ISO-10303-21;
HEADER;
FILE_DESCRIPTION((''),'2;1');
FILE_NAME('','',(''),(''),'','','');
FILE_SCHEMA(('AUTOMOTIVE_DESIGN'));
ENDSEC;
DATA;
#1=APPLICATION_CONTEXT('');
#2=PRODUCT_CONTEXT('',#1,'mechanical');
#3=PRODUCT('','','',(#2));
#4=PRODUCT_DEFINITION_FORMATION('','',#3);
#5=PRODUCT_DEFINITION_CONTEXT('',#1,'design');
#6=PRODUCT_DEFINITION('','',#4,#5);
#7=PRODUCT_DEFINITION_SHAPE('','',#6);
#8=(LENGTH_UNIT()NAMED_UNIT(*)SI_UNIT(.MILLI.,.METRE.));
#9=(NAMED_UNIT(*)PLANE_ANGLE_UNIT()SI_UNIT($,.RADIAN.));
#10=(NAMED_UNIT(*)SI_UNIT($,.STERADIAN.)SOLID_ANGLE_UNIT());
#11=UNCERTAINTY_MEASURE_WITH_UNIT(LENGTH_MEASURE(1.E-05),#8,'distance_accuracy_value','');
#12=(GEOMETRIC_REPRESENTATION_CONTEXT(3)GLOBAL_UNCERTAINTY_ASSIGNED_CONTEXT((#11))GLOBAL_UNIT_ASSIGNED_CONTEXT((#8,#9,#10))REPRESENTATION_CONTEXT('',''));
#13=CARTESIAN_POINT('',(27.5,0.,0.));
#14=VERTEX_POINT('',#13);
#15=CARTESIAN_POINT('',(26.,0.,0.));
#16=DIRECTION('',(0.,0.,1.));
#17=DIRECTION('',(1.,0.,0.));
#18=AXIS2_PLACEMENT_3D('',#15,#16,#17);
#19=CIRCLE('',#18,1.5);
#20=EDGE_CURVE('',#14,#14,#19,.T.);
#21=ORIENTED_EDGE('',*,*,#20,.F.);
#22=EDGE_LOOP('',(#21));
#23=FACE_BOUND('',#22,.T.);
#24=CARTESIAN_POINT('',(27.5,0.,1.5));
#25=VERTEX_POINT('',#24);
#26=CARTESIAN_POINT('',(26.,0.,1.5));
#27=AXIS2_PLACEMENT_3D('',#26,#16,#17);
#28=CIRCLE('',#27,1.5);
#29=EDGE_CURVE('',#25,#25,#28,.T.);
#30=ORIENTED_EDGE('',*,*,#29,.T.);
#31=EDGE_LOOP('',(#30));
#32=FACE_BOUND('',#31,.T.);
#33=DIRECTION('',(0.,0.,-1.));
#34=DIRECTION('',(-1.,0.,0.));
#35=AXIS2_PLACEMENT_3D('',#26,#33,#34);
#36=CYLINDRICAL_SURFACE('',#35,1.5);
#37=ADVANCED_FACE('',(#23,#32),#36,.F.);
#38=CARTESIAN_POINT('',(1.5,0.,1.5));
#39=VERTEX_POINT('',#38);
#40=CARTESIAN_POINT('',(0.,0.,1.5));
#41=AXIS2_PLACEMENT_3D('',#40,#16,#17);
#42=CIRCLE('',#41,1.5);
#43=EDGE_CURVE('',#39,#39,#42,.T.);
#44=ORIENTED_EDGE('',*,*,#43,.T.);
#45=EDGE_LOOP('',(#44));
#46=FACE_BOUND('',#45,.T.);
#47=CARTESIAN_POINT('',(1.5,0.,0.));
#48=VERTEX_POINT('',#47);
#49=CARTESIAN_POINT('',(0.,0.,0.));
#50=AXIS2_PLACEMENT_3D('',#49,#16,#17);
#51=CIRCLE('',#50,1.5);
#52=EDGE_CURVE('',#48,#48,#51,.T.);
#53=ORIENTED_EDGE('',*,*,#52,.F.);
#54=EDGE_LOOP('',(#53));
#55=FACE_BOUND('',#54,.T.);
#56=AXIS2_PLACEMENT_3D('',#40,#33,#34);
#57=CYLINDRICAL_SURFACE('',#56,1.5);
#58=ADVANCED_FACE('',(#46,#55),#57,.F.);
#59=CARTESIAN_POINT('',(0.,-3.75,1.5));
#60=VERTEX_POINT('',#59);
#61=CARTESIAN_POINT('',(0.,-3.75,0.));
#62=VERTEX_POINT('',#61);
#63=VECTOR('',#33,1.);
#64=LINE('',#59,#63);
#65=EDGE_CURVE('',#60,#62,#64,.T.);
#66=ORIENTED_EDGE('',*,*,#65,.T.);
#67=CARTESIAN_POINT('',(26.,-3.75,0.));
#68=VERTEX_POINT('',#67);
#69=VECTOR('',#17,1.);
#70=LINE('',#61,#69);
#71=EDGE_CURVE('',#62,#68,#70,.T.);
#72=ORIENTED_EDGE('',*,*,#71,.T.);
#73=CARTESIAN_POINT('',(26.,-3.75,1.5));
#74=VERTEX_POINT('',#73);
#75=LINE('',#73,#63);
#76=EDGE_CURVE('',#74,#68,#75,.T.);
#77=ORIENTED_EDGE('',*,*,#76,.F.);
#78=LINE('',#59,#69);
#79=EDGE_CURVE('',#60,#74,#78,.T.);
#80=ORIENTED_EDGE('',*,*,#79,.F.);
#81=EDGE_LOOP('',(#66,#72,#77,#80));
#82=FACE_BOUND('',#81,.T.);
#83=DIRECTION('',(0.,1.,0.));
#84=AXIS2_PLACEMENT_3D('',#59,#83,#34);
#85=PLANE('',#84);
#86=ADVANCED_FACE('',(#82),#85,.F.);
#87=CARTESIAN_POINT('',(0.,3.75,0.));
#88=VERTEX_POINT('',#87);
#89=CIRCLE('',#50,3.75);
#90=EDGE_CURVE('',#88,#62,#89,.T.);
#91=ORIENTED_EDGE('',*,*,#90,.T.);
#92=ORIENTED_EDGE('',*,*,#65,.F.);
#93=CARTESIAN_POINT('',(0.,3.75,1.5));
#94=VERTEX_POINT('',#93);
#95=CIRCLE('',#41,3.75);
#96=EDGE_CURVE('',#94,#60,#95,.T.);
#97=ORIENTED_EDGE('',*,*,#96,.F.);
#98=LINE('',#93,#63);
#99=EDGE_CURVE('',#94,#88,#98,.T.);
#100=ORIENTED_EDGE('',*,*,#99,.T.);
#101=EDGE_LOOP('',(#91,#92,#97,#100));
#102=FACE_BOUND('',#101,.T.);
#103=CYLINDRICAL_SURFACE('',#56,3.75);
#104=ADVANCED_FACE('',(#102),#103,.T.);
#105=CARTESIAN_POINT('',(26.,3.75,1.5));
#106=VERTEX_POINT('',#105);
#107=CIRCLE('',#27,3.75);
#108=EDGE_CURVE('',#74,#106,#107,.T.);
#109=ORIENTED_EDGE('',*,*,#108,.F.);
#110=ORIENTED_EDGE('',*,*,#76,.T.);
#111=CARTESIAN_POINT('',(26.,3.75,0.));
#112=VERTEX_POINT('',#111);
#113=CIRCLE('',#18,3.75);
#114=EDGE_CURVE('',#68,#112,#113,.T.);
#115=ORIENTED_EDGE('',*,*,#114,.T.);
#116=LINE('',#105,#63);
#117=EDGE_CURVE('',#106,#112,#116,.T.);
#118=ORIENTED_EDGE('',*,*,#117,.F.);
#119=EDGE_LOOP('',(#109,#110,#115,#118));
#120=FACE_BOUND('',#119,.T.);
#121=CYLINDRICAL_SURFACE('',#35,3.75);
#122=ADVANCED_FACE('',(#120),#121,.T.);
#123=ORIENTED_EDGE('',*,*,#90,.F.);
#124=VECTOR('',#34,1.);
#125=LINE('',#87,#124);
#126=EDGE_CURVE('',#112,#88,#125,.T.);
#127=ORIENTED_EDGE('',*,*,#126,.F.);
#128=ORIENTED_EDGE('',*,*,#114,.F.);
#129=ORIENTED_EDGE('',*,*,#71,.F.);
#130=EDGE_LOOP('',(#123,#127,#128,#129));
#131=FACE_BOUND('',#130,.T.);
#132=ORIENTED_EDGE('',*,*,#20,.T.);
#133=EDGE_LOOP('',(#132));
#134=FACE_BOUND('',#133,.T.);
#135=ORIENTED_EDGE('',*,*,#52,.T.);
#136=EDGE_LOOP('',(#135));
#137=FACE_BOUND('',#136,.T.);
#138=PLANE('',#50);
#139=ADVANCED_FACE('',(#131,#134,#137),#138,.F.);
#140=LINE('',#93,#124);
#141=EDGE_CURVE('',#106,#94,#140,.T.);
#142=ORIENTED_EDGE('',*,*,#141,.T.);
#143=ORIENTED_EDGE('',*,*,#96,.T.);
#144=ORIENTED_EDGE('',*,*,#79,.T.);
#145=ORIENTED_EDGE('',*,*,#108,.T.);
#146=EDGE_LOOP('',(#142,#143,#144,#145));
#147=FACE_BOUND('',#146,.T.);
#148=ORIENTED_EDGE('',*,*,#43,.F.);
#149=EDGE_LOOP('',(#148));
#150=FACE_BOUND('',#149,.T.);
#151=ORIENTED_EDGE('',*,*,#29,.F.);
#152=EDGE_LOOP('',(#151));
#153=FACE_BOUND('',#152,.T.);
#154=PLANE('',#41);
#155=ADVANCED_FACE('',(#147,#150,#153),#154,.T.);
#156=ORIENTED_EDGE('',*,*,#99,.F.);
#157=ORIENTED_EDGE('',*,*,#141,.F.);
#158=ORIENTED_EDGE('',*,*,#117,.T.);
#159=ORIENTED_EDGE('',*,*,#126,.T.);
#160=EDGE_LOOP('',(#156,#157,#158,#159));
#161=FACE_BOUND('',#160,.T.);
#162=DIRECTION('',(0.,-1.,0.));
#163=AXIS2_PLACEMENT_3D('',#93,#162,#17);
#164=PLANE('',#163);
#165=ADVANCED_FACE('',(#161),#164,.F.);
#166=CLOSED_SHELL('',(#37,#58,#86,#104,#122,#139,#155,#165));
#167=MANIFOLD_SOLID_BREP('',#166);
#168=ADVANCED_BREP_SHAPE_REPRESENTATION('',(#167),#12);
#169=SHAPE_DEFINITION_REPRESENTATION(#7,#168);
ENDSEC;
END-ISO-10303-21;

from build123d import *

# Parameters (mm, degrees)
ESQUISSE1_R        = 1.5
BOSS_EXTRU_1_DEPTH = 1.5


with BuildPart() as part:
    # Esquisse1 → Boss.-Extru.1 (new body)
    with BuildSketch(Plane.XY):
        with BuildLine():
            Line((0, 3.75), (26, 3.75))
            ThreePointArc((26, 3.75), (29.75, 0), (26, -3.75))
            Line((26, -3.75), (0, -3.75))
            ThreePointArc((0, -3.75), (-3.75, 0), (0, 3.75))
        make_face()
        Circle(ESQUISSE1_R, mode=Mode.SUBTRACT)
        with Locations((26, 0)):
            Circle(ESQUISSE1_R, mode=Mode.SUBTRACT)
    extrude(amount=BOSS_EXTRU_1_DEPTH)


solid = part.part
